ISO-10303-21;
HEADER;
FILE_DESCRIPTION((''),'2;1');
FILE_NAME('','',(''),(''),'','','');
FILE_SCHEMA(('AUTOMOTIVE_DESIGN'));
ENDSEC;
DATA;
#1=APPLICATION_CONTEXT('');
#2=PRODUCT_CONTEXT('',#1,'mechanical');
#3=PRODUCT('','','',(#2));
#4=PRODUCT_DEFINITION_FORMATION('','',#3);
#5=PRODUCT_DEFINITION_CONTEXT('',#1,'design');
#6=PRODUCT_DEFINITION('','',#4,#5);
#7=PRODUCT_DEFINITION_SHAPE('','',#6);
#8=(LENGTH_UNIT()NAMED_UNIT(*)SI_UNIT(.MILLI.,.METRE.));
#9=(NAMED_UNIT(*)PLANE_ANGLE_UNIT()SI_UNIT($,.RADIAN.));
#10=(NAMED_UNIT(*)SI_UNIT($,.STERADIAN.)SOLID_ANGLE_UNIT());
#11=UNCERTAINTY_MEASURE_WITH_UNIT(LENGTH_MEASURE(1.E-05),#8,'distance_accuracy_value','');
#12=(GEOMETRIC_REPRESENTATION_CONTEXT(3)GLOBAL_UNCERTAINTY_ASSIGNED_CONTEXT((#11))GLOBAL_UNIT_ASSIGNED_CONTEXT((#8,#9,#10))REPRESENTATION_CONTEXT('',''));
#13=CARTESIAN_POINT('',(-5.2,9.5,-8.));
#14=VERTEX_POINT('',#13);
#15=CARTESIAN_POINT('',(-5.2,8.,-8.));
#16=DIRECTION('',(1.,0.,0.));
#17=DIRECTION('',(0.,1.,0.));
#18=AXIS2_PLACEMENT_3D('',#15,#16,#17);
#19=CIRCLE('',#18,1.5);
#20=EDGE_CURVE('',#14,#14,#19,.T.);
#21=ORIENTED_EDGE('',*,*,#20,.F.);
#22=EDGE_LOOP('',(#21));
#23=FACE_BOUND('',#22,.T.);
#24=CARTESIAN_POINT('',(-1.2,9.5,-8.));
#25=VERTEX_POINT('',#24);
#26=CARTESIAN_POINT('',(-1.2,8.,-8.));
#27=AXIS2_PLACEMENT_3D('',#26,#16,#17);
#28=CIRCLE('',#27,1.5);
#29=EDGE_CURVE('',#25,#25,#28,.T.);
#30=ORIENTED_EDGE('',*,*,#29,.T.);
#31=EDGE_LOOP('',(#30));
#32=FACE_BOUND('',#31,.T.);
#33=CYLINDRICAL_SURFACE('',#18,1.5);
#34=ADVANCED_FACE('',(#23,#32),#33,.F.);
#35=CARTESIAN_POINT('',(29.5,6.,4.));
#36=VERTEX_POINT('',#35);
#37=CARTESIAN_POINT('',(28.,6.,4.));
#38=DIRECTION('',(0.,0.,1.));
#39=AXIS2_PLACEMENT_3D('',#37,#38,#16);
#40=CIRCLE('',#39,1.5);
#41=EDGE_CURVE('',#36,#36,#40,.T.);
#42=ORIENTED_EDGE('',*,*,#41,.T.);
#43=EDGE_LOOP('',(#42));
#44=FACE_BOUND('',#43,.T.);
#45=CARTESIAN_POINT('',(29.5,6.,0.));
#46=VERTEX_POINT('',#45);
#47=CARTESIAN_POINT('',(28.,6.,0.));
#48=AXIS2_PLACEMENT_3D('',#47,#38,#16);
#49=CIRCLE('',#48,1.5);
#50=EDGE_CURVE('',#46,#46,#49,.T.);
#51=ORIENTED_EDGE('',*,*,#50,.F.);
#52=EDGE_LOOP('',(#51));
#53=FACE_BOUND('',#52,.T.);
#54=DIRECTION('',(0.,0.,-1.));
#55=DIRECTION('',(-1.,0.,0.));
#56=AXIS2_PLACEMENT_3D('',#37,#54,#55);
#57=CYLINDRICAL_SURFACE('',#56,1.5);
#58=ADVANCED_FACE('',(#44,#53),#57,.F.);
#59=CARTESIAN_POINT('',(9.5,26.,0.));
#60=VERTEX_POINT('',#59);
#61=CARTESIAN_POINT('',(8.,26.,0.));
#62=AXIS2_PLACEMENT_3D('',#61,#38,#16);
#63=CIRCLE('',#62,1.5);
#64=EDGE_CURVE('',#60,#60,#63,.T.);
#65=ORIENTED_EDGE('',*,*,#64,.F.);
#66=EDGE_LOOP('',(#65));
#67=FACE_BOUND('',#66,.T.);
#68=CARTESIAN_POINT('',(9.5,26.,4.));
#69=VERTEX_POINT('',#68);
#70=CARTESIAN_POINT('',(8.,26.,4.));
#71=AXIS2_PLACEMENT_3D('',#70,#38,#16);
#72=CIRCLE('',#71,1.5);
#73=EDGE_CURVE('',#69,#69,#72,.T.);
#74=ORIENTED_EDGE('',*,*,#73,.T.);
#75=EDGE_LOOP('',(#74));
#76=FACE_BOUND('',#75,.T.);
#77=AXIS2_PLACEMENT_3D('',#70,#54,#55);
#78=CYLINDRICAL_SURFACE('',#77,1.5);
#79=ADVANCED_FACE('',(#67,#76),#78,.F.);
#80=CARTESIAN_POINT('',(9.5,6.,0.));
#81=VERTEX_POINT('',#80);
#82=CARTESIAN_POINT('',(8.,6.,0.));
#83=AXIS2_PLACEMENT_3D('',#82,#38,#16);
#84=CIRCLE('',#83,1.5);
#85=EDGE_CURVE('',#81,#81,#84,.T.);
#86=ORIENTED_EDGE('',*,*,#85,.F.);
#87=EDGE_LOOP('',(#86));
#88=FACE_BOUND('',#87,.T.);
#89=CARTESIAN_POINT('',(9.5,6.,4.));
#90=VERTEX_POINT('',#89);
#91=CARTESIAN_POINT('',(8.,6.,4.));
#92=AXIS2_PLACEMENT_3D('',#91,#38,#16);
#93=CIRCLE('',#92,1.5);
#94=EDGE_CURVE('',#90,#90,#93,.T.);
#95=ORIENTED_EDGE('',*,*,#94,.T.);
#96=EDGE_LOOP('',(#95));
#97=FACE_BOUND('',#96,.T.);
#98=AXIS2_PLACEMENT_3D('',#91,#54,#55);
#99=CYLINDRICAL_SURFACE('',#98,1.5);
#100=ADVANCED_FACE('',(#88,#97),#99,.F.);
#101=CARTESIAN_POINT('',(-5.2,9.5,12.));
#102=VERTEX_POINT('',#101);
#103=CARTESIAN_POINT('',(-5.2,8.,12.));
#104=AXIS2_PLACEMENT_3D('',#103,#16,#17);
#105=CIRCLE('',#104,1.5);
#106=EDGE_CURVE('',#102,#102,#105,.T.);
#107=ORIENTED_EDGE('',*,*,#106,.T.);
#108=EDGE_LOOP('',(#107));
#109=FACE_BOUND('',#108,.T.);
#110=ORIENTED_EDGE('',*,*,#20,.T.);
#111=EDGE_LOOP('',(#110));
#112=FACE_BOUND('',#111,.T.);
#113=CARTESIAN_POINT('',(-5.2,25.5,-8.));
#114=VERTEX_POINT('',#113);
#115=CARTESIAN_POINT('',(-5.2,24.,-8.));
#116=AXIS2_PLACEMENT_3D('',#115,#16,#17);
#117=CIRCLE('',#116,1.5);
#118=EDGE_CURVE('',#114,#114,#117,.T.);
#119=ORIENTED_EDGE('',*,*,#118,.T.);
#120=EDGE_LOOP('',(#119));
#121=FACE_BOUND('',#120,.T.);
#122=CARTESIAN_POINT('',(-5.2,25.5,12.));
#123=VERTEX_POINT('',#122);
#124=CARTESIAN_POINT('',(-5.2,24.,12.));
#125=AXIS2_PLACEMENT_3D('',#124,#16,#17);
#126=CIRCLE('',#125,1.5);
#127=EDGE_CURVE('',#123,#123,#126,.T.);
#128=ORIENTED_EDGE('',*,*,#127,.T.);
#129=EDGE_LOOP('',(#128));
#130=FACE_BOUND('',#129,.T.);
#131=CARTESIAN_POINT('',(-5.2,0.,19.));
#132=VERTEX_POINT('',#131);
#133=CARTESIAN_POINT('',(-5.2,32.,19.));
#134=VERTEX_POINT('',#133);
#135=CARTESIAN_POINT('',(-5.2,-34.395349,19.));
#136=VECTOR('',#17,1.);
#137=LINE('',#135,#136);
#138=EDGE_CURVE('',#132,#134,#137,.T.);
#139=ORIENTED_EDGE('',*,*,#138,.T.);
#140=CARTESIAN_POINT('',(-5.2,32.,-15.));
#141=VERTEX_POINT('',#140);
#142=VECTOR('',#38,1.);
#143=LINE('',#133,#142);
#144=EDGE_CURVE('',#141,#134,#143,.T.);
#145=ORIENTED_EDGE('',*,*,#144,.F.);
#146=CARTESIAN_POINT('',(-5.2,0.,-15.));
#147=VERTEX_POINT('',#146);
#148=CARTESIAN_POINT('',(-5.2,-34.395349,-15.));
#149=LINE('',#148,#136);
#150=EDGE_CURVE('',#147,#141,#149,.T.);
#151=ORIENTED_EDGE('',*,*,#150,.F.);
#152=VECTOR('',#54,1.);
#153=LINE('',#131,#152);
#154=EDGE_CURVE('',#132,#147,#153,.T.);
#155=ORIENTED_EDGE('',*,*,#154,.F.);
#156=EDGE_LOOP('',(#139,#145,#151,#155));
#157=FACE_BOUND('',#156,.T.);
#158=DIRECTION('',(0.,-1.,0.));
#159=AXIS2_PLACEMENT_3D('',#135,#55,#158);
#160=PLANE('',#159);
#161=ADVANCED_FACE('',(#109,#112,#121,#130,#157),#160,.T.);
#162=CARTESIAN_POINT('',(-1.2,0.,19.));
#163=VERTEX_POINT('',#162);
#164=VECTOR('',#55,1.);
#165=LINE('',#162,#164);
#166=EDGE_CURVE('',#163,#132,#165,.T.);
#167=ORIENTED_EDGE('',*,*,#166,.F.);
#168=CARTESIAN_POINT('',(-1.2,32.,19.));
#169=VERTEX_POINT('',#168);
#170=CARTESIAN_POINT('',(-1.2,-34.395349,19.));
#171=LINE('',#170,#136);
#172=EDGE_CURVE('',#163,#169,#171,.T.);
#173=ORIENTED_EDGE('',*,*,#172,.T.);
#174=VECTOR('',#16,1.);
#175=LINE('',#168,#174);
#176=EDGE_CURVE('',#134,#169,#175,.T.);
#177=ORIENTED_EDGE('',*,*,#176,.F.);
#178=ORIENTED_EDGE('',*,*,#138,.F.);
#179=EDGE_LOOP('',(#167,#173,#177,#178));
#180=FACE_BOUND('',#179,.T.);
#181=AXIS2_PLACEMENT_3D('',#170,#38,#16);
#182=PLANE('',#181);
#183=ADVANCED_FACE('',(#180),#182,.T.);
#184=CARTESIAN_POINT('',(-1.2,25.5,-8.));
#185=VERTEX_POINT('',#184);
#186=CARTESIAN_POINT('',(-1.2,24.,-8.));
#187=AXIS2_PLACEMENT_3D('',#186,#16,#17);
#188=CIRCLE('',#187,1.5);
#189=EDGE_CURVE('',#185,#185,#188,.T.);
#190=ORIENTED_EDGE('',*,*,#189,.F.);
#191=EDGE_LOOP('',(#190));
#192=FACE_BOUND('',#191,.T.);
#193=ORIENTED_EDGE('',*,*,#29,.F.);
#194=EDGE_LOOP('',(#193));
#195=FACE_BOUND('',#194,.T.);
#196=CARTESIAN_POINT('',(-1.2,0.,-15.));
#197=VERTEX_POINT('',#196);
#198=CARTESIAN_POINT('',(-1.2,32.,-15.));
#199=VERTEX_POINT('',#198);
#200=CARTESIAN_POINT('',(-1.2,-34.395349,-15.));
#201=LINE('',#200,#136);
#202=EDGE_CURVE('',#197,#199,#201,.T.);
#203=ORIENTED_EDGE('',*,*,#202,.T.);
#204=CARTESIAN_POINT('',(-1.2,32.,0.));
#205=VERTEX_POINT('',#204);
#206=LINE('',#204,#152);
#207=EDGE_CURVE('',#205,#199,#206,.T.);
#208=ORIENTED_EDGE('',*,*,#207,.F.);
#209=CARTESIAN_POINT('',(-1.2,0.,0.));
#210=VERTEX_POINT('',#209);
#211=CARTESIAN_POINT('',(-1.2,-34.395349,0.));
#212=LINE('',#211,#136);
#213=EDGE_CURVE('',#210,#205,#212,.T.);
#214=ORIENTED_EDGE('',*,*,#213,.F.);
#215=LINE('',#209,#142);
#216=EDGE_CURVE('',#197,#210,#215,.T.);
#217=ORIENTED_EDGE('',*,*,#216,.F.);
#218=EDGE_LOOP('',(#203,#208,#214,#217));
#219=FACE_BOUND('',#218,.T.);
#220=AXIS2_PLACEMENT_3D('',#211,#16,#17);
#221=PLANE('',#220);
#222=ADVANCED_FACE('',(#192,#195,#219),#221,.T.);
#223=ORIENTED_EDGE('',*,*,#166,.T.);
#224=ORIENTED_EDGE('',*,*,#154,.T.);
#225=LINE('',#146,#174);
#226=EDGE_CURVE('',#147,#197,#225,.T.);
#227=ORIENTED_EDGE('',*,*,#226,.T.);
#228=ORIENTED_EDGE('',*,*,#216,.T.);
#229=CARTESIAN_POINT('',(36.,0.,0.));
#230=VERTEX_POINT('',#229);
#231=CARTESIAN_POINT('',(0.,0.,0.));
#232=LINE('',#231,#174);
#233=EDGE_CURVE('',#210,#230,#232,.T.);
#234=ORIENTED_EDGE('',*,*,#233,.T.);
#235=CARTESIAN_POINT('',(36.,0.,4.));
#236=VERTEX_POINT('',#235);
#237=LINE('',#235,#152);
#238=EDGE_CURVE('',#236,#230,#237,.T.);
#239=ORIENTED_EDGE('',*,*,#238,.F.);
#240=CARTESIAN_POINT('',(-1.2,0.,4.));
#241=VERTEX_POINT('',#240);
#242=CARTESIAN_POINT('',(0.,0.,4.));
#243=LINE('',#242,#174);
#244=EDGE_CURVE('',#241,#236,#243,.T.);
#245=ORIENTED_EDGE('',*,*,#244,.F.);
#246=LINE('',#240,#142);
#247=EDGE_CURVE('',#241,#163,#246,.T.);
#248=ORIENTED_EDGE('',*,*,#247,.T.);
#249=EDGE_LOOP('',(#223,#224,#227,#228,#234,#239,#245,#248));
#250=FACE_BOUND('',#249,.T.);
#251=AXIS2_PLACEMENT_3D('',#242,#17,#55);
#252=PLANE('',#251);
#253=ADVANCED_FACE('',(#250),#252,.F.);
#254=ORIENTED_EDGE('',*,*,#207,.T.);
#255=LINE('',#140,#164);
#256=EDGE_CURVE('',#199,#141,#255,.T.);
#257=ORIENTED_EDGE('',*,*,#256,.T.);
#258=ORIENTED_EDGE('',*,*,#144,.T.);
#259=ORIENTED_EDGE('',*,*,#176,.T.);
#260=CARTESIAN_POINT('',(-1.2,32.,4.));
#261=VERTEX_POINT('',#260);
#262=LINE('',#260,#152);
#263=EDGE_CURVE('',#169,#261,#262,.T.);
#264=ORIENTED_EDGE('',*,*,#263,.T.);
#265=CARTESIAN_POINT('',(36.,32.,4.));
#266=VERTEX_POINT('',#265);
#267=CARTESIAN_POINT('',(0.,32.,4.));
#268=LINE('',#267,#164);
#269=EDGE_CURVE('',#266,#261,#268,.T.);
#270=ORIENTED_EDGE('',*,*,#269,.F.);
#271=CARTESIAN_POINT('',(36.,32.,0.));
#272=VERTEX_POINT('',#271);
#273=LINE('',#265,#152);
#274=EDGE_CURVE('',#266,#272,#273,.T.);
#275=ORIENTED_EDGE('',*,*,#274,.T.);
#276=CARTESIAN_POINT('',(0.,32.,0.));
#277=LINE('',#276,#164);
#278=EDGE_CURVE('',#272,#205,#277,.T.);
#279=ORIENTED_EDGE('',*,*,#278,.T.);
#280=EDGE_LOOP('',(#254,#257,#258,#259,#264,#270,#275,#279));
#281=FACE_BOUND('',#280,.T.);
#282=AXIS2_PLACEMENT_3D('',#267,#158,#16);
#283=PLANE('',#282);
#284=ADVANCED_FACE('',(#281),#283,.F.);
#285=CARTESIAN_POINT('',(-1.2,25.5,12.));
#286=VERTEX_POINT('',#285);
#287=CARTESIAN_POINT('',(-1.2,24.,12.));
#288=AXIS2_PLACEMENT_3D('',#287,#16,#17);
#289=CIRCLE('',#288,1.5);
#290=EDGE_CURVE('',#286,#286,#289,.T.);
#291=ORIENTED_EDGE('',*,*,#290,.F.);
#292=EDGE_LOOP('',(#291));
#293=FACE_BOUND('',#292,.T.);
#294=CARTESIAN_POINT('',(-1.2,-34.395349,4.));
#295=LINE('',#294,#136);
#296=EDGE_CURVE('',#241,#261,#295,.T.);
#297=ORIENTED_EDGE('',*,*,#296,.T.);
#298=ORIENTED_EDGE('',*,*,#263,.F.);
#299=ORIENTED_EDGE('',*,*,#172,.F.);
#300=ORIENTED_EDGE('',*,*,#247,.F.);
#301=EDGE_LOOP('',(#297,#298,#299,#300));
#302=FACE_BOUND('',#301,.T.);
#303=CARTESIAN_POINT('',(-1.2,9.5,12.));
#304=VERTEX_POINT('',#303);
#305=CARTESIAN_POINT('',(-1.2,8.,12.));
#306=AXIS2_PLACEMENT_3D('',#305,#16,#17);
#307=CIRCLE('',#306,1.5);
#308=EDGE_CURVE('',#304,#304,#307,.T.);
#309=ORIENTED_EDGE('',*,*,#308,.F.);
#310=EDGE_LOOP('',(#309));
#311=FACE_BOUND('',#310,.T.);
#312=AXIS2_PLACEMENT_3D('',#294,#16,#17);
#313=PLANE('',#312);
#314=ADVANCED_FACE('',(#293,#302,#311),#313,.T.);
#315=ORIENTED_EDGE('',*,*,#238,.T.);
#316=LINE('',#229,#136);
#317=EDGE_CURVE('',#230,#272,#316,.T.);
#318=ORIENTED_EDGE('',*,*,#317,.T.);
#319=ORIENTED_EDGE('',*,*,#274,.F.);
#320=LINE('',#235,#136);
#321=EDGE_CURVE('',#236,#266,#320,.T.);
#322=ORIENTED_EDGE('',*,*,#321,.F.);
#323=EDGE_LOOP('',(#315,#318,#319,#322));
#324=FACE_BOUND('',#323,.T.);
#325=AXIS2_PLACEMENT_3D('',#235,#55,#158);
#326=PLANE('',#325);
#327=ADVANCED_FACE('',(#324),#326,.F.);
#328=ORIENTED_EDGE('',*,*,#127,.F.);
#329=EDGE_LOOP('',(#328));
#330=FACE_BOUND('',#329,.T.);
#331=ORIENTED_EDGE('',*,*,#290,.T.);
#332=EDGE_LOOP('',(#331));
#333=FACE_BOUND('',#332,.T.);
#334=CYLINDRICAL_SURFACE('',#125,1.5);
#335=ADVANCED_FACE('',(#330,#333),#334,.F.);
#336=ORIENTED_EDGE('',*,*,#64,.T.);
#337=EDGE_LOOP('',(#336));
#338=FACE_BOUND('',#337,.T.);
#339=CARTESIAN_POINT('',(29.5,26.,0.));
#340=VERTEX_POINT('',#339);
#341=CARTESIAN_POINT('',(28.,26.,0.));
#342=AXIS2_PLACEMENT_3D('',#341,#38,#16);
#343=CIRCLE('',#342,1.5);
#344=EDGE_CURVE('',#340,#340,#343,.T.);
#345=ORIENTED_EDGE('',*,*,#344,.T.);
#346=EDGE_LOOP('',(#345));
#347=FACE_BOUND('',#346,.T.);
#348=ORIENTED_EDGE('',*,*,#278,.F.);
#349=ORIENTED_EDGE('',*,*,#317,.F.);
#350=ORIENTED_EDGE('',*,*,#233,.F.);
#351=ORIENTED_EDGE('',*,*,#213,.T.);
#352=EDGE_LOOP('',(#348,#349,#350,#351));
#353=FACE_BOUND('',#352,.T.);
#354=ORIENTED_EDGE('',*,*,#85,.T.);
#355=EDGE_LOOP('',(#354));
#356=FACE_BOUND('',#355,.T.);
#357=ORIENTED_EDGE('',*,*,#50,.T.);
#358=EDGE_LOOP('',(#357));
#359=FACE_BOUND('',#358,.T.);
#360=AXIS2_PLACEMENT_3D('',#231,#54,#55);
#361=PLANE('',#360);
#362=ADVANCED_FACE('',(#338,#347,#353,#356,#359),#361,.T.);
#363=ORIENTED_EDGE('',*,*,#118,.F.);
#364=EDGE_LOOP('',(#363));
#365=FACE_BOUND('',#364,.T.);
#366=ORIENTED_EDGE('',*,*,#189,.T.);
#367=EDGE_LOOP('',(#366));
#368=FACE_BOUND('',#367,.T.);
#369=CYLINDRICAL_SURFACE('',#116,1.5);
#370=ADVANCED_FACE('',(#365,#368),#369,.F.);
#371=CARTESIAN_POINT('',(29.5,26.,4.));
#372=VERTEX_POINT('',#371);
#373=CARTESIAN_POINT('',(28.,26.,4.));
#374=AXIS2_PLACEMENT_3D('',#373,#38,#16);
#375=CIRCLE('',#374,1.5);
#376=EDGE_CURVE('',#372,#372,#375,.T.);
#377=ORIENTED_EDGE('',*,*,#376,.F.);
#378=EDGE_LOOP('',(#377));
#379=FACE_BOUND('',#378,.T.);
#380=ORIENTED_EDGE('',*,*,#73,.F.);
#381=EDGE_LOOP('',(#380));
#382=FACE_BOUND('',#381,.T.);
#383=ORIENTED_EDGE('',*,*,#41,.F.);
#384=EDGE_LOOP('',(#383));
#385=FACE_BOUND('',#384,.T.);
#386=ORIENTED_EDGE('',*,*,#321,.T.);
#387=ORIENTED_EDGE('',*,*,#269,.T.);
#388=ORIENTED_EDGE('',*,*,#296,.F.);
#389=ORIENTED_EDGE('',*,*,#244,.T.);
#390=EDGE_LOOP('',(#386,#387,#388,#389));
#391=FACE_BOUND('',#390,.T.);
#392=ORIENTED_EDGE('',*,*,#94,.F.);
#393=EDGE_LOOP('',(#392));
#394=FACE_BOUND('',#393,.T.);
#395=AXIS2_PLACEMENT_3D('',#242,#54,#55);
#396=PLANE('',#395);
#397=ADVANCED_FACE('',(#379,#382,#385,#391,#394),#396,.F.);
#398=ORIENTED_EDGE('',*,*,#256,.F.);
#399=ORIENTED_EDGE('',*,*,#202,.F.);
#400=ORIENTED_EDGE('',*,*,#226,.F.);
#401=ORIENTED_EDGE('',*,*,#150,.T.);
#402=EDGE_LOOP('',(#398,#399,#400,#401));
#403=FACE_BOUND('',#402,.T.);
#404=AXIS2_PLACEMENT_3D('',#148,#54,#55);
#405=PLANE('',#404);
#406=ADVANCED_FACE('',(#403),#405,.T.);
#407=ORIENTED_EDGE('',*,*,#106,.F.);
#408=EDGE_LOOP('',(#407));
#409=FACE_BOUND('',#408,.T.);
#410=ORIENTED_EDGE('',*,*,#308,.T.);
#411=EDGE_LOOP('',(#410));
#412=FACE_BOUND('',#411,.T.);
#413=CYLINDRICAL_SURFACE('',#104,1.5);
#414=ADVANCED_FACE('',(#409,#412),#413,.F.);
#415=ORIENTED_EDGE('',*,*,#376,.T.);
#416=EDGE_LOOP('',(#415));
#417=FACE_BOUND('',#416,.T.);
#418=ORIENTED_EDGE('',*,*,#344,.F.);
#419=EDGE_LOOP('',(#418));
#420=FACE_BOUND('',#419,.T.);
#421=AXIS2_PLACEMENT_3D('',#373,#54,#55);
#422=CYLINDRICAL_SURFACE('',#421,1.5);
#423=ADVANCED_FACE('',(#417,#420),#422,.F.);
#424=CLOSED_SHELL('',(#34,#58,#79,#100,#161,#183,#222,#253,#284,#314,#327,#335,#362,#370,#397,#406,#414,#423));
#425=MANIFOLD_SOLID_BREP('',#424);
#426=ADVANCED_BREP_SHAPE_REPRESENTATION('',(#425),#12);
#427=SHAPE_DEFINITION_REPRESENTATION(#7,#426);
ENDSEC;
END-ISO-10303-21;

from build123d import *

# Parameters (mm, degrees)
SKETCH_1_W          = 36
SKETCH_1_H          = 32
SKETCH_1_R          = 1.5
EXTRUDE_1_DEPTH     = 4
EXTRUDE_2_DEPTH     = 32
SKETCH_8_R          = 1.5
CUT_EXTRUDE_1_DEPTH = 5


with BuildPart() as part:
    # Эскиз1 → Бобышка-Вытянуть1 (new body)
    with BuildSketch(Plane.XY):
        with Locations((18, 16)):
            Rectangle(SKETCH_1_W, SKETCH_1_H)
        with Locations((8, 26)):
            Circle(SKETCH_1_R, mode=Mode.SUBTRACT)
        with Locations((28, 26)):
            Circle(SKETCH_1_R, mode=Mode.SUBTRACT)
        with Locations((8, 6)):
            Circle(SKETCH_1_R, mode=Mode.SUBTRACT)
        with Locations((28, 6)):
            Circle(SKETCH_1_R, mode=Mode.SUBTRACT)
    extrude(amount=EXTRUDE_1_DEPTH)

    # Эскиз7 → Бобышка-Вытянуть2 (add)
    with BuildSketch(Plane(origin=(0, 32, 0), x_dir=(1, 0, 0), z_dir=(0, 1, 0))):
        Polygon((0, 0), (-1.2, 0), (-1.2, 15), (-5.2, 15), (-5.2, -19), (-1.2, -19), (-1.2, -4), (0, -4), align=None)
    extrude(amount=-EXTRUDE_2_DEPTH)

    # Эскиз8 → Вырез-Вытянуть1 (cut, through all)
    with BuildSketch(Plane(origin=(-1.2, 0, 0), x_dir=(0, 0, -1), z_dir=(1, 0, 0))):
        with Locations((8, 24)):
            Circle(SKETCH_8_R)
        with Locations((8, 8)):
            Circle(SKETCH_8_R)
        with Locations((-12, 8)):
            Circle(SKETCH_8_R)
        with Locations((-12, 24)):
            Circle(SKETCH_8_R)
    extrude(amount=-CUT_EXTRUDE_1_DEPTH, mode=Mode.SUBTRACT)


solid = part.part
